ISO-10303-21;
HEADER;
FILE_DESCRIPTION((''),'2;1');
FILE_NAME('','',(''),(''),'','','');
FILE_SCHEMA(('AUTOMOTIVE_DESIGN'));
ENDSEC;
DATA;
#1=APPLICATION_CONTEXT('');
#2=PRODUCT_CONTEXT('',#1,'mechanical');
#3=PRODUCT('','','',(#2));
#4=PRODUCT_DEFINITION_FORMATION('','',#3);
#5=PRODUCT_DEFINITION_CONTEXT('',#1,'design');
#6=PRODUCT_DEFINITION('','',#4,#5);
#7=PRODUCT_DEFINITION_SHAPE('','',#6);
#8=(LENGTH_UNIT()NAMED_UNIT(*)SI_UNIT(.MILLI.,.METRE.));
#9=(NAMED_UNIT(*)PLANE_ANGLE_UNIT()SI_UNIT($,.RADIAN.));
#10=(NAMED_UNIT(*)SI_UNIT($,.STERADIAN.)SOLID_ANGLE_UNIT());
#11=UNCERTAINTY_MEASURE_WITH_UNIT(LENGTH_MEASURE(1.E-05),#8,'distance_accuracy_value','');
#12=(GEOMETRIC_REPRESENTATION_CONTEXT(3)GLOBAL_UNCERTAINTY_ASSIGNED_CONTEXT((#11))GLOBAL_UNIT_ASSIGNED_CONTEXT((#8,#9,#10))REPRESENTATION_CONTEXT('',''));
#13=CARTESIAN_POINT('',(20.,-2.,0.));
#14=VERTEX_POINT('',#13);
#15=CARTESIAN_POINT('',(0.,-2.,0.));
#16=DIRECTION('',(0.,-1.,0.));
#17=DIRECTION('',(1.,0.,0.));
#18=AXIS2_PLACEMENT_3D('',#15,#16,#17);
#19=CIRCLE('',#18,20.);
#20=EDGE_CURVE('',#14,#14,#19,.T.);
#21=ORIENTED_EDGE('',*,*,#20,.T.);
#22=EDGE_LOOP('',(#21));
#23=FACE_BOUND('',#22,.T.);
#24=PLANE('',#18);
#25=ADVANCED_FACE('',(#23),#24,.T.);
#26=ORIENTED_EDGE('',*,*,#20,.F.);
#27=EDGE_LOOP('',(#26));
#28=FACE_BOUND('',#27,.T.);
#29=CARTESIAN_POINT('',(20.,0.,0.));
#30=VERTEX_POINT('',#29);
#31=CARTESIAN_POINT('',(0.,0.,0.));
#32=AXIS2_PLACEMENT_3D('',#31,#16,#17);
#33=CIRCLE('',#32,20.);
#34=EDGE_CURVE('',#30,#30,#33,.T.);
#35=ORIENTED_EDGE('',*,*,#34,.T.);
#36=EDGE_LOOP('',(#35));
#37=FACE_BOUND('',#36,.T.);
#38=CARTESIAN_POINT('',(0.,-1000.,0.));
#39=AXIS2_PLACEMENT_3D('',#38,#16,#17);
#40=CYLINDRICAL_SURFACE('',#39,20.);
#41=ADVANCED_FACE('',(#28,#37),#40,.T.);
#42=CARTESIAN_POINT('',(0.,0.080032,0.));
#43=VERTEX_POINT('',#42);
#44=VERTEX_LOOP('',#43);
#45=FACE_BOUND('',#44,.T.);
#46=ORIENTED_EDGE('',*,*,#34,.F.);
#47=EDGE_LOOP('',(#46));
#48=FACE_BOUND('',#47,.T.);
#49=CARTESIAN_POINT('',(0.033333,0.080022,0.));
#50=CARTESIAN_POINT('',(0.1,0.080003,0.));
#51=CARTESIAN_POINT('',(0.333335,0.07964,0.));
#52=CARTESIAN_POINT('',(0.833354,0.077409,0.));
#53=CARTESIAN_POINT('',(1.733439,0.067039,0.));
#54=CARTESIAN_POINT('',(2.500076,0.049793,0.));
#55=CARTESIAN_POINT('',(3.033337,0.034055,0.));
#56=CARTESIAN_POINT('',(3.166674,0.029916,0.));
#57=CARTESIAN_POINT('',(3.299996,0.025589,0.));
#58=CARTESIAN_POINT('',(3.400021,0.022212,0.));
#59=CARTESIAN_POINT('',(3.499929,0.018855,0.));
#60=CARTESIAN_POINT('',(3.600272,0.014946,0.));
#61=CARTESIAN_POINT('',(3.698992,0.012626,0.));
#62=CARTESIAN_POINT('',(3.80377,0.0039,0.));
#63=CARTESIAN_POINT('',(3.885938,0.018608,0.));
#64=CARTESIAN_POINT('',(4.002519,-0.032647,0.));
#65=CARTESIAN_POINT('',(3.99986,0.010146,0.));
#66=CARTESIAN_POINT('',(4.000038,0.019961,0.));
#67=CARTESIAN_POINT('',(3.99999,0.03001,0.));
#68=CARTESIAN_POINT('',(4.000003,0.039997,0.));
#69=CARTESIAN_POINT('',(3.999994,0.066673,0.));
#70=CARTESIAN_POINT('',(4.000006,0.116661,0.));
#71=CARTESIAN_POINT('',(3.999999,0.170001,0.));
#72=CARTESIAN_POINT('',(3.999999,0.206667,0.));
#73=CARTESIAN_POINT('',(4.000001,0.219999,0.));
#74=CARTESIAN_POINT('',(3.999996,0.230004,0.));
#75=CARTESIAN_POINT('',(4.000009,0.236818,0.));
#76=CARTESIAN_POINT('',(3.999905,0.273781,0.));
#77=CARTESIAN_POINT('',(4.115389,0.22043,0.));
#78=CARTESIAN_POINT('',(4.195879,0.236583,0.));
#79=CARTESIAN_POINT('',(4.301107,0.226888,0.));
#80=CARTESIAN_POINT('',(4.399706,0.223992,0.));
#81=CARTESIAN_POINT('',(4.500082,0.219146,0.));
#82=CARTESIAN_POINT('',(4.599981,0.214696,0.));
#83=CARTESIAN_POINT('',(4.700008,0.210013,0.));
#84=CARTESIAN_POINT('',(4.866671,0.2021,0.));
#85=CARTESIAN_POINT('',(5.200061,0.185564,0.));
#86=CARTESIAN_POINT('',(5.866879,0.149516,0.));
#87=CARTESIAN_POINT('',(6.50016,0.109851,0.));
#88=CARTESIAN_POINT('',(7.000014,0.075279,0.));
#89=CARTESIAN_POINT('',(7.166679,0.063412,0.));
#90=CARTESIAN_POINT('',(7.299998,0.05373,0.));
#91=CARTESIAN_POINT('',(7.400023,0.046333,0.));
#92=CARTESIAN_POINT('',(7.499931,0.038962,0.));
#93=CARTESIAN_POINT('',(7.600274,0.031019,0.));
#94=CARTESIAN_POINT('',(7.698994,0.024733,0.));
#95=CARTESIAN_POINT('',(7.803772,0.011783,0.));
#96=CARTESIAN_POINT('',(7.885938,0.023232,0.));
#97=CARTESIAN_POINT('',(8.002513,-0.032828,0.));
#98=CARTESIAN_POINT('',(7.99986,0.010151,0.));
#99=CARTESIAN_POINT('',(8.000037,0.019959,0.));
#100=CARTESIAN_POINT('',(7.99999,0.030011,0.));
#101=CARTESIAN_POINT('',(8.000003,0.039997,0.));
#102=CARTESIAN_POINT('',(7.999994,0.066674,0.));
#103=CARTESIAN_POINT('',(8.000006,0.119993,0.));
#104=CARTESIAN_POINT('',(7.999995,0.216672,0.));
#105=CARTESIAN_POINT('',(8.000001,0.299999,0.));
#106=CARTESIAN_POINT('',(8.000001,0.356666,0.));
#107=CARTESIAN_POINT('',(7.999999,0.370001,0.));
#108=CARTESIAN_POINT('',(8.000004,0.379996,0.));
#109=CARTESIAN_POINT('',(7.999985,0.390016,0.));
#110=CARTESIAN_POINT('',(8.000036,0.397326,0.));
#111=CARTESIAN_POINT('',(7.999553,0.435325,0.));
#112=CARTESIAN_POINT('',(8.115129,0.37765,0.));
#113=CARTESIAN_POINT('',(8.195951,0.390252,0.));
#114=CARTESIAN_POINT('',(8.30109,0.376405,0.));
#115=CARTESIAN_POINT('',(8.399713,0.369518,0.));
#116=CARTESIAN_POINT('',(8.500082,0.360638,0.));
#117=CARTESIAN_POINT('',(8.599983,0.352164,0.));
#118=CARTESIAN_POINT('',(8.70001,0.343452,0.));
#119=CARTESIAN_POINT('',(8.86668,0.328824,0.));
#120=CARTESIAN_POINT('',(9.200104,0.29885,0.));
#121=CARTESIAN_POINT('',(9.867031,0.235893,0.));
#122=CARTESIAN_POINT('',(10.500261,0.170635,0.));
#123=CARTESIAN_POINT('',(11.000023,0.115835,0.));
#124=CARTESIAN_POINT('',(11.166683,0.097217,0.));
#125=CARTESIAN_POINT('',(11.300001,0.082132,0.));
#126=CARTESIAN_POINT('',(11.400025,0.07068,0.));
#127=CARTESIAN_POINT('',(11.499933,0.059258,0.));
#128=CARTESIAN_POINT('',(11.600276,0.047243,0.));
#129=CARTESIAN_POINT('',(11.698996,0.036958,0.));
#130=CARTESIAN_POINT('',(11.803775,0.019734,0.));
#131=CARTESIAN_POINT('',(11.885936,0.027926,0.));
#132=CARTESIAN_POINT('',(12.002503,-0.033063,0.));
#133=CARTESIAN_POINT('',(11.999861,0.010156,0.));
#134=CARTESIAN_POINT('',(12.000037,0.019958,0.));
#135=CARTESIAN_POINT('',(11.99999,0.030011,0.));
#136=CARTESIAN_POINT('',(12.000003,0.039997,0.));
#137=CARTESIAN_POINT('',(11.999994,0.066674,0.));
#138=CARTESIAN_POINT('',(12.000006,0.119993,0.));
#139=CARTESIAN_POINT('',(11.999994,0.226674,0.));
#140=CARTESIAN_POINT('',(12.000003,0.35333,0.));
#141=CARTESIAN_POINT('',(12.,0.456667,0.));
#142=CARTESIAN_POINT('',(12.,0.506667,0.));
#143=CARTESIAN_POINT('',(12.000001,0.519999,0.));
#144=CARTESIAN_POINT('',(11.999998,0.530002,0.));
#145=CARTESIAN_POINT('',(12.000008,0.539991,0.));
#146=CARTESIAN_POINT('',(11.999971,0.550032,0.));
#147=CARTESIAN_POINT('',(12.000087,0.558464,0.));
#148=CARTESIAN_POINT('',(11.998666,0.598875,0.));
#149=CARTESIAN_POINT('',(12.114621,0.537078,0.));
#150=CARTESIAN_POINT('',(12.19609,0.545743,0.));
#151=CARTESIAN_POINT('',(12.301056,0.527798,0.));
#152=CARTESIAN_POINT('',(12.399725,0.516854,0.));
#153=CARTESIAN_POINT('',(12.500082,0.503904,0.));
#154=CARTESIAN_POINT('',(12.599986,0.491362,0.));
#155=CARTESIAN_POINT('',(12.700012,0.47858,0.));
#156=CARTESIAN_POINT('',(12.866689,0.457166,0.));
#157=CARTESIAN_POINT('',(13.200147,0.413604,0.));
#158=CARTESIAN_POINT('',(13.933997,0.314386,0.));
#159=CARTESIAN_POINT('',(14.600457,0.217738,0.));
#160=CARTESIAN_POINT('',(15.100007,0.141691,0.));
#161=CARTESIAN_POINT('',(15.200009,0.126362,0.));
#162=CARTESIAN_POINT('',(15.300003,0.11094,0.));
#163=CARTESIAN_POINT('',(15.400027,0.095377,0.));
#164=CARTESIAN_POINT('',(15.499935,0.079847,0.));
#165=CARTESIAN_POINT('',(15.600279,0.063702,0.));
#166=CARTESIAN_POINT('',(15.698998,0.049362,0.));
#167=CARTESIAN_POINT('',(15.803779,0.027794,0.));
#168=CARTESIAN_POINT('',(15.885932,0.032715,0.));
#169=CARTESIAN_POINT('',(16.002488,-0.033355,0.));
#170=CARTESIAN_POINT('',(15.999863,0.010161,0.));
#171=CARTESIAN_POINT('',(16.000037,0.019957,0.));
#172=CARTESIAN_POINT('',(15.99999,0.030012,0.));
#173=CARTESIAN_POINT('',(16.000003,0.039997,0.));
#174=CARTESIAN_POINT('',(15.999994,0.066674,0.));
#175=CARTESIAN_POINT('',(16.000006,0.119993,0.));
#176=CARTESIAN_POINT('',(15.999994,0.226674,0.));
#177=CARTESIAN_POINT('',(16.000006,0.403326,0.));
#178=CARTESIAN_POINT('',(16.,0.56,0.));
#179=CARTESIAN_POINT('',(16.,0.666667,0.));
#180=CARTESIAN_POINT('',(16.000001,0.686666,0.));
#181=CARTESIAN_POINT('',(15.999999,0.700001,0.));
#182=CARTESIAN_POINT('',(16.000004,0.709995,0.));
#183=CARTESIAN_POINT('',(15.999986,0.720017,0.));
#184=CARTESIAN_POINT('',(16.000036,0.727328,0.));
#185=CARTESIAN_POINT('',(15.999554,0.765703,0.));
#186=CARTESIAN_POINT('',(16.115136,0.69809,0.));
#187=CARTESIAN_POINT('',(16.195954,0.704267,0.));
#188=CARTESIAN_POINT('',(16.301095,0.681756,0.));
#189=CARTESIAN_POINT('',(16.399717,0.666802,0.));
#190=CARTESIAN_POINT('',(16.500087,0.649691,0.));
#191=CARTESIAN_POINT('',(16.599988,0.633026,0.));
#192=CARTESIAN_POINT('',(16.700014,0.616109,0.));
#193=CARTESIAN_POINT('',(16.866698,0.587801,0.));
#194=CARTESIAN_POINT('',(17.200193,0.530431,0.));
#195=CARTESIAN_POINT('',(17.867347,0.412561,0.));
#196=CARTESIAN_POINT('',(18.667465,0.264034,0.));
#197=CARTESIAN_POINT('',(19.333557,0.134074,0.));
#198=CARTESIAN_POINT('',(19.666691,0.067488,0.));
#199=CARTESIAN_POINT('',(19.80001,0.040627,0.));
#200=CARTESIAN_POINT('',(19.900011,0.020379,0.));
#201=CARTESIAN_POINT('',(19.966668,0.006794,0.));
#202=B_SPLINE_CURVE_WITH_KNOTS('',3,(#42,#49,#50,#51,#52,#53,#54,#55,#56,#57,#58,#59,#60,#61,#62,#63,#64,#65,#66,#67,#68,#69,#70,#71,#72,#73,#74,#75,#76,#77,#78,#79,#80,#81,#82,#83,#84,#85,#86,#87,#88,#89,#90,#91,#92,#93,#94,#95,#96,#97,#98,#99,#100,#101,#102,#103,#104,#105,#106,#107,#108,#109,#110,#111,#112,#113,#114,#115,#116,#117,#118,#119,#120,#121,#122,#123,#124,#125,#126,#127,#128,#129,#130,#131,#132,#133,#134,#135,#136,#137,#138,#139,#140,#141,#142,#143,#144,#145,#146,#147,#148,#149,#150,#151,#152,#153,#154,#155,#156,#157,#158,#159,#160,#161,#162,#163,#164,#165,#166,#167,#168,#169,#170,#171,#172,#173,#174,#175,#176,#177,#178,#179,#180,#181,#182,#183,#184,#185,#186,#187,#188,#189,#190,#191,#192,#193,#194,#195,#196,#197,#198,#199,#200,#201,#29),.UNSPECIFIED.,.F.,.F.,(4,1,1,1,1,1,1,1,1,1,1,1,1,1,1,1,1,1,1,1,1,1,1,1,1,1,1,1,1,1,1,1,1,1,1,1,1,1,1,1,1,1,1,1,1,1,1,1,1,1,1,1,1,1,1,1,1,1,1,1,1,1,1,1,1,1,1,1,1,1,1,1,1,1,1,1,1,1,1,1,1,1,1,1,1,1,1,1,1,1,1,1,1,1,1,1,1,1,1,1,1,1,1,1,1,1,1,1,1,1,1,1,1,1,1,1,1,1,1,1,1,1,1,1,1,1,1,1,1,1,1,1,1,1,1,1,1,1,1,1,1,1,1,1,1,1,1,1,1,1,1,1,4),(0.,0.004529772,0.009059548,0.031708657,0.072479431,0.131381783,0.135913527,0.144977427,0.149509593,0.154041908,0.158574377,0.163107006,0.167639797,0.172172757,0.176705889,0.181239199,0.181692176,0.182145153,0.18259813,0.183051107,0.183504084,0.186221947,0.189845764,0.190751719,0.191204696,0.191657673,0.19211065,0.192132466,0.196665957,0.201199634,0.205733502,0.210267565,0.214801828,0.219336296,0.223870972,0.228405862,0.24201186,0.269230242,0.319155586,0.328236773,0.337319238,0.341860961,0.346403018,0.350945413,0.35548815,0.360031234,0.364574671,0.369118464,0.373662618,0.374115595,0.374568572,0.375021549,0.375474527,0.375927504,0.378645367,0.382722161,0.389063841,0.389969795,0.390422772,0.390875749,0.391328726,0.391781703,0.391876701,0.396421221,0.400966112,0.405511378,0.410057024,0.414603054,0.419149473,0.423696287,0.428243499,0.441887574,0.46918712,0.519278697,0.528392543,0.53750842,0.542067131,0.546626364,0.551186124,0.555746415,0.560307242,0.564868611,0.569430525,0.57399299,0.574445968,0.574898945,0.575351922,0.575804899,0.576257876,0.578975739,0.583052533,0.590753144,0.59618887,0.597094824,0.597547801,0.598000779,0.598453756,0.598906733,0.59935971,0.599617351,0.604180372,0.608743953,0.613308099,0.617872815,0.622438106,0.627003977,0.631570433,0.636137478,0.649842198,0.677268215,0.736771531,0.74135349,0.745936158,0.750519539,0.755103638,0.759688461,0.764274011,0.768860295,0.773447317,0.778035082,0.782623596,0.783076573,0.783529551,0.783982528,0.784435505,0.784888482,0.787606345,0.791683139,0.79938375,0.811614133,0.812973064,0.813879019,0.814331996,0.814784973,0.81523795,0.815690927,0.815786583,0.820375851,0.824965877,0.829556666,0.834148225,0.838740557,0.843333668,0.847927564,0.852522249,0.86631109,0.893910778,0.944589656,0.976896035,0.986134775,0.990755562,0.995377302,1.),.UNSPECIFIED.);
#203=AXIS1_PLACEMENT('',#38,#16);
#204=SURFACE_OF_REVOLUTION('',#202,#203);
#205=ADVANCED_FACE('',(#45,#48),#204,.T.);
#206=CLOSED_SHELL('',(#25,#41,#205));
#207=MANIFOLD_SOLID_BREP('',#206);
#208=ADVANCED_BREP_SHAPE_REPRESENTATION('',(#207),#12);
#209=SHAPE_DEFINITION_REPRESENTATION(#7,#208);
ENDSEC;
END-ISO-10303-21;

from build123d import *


with BuildPart() as part:
    # 草图1 → 旋转1 (revolve)
    with BuildSketch(Plane.XY):
        with BuildLine():
            add(Edge.make_bspline(
                [(0, 0.080032026), (0.033333339, 0.080022403), (0.10000005, 0.080003158), (0.333335056, 0.079639943), (0.833354308, 0.077408579), (1.733439399, 0.067038803), (2.500075758, 0.049793313), (3.033337018, 0.03405457), (3.166673958, 0.029915651), (3.299996449, 0.025589249), (3.400021122, 0.022211736), (3.499929272, 0.018855334), (3.600272315, 0.014946084), (3.698992229, 0.012626094), (3.803770079, 0.003900418), (3.885938119, 0.018608239), (4.002519327, -0.032647475), (3.999859573, 0.010146118), (4.000037627, 0.019960848), (3.999989918, 0.030010491), (4.000002702, 0.039997189), (3.999993567, 0.06667336), (4.000005627, 0.116660811), (3.999999357, 0.170000669), (3.999999251, 0.206667446), (4.000001084, 0.219998871), (3.999995954, 0.230004213), (4.000009026, 0.23681781), (3.999904592, 0.273781117), (4.115388683, 0.220430032), (4.19587901, 0.236582781), (4.301107004, 0.226887528), (4.399706141, 0.223991518), (4.50008159, 0.219146376), (4.599981046, 0.214696358), (4.700008052, 0.210013263), (4.866670894, 0.20209979), (5.200061206, 0.185564012), (5.866879049, 0.149515809), (6.500160378, 0.109850799), (7.000014311, 0.075278692), (7.166678663, 0.063412188), (7.299998467, 0.053729887), (7.400023137, 0.046333273), (7.499931298, 0.038962071), (7.600274328, 0.031018836), (7.698994216, 0.024733409), (7.803772454, 0.011782839), (7.885937965, 0.023232331), (8.002513124, -0.03282795), (7.999860213, 0.010151411), (8.000037456, 0.01995943), (7.999989964, 0.030010871), (8.000002689, 0.039997087), (7.999993596, 0.066673603), (8.000006402, 0.119993066), (7.999994798, 0.216672301), (8.00000067, 0.299999274), (8.000000726, 0.35666588), (7.999998948, 0.37000114), (8.000003924, 0.379995747), (7.999985354, 0.390015873), (8.000036402, 0.397326277), (7.999552757, 0.435324706), (8.115128746, 0.37765042), (8.195950985, 0.390251709), (8.301090351, 0.376405213), (8.399713154, 0.369518146), (8.500082284, 0.360637926), (8.599983428, 0.352163659), (8.700009985, 0.343452393), (8.866679794, 0.32882442), (9.200103786, 0.298850192), (9.867030736, 0.235892514), (10.500260505, 0.170635086), (11.000022511, 0.115834707), (11.16668345, 0.0972169), (11.300000521, 0.082131832), (11.400025192, 0.070680229), (11.49993335, 0.059258093), (11.600276416, 0.047243283), (11.698996096, 0.0369579), (11.803775414, 0.019734035), (11.885935797, 0.027926385), (12.00250273, -0.033063218), (11.999861283, 0.010156448), (12.000037169, 0.01995808), (11.999990041, 0.030011232), (12.000002669, 0.03999699), (11.999993646, 0.066673833), (12.000006353, 0.119992835), (11.999993647, 0.226673832), (12.000002588, 0.353330414), (11.999999713, 0.45666699), (11.999999621, 0.506667095), (12.000000549, 0.51999938), (11.999997951, 0.530002312), (12.000007648, 0.53999137), (11.999971458, 0.550032209), (12.000087105, 0.558464282), (11.998665789, 0.598875461), (12.114620672, 0.537078443), (12.196089514, 0.545743413), (12.301055911, 0.527797748), (12.399724986, 0.516853985), (12.50008174, 0.503903945), (12.599986197, 0.491361766), (12.700011869, 0.478580409), (12.866688987, 0.457165646), (13.200147224, 0.413603904), (13.933996512, 0.314386126), (14.600456707, 0.217737504), (15.100007353, 0.141691348), (15.200009173, 0.126362347), (15.300002631, 0.110939605), (15.400027306, 0.095376559), (15.499935449, 0.079846794), (15.600278601, 0.063702103), (15.698997889, 0.049361969), (15.803778981, 0.027794348), (15.885931616, 0.032715227), (16.002488096, -0.033355263), (15.999862784, 0.0101612), (16.000036767, 0.019956807), (15.999990148, 0.030011574), (16.00000264, 0.039996899), (15.999993714, 0.066674051), (16.000006284, 0.119992617), (15.999993716, 0.226674049), (16.000006051, 0.403326224), (15.999999714, 0.560000336), (16.000000095, 0.666666555), (16.000000716, 0.686665825), (15.999998963, 0.700001219), (16.00000387, 0.709995451), (15.999985557, 0.720016977), (16.000035931, 0.727328338), (15.999553848, 0.765703409), (16.115135921, 0.698089918), (16.195953865, 0.704266579), (16.301095032, 0.68175619), (16.399717184, 0.666802378), (16.500086539, 0.649691197), (16.599987614, 0.63302608), (16.700014197, 0.616109195), (16.866698042, 0.587801463), (17.200192513, 0.530431491), (17.867346578, 0.412560598), (18.667464727, 0.264034038), (19.33355745, 0.13407362), (19.666690704, 0.067488464), (19.800010055, 0.040626683), (19.90001129, 0.020379428), (19.966668128, 0.006793612), (20, 0)],
                knots=[0, 0, 0, 0, 0.004529772, 0.009059548, 0.031708657, 0.072479431, 0.131381783, 0.135913527, 0.144977427, 0.149509593, 0.154041908, 0.158574377, 0.163107006, 0.167639797, 0.172172757, 0.176705889, 0.181239199, 0.181692176, 0.182145153, 0.18259813, 0.183051107, 0.183504084, 0.186221947, 0.189845764, 0.190751719, 0.191204696, 0.191657673, 0.19211065, 0.192132466, 0.196665957, 0.201199634, 0.205733502, 0.210267565, 0.214801828, 0.219336296, 0.223870972, 0.228405862, 0.24201186, 0.269230242, 0.319155586, 0.328236773, 0.337319238, 0.341860961, 0.346403018, 0.350945413, 0.35548815, 0.360031234, 0.364574671, 0.369118464, 0.373662618, 0.374115595, 0.374568572, 0.375021549, 0.375474527, 0.375927504, 0.378645367, 0.382722161, 0.389063841, 0.389969795, 0.390422772, 0.390875749, 0.391328726, 0.391781703, 0.391876701, 0.396421221, 0.400966112, 0.405511378, 0.410057024, 0.414603054, 0.419149473, 0.423696287, 0.428243499, 0.441887574, 0.46918712, 0.519278697, 0.528392543, 0.53750842, 0.542067131, 0.546626364, 0.551186124, 0.555746415, 0.560307242, 0.564868611, 0.569430525, 0.57399299, 0.574445968, 0.574898945, 0.575351922, 0.575804899, 0.576257876, 0.578975739, 0.583052533, 0.590753144, 0.59618887, 0.597094824, 0.597547801, 0.598000779, 0.598453756, 0.598906733, 0.59935971, 0.599617351, 0.604180372, 0.608743953, 0.613308099, 0.617872815, 0.622438106, 0.627003977, 0.631570433, 0.636137478, 0.649842198, 0.677268215, 0.736771531, 0.74135349, 0.745936158, 0.750519539, 0.755103638, 0.759688461, 0.764274011, 0.768860295, 0.773447317, 0.778035082, 0.782623596, 0.783076573, 0.783529551, 0.783982528, 0.784435505, 0.784888482, 0.787606345, 0.791683139, 0.79938375, 0.811614133, 0.812973064, 0.813879019, 0.814331996, 0.814784973, 0.81523795, 0.815690927, 0.815786583, 0.820375851, 0.824965877, 0.829556666, 0.834148225, 0.838740557, 0.843333668, 0.847927564, 0.852522249, 0.86631109, 0.893910778, 0.944589656, 0.976896035, 0.986134775, 0.990755562, 0.995377302, 1, 1, 1, 1], degree=3))
            Line((20, 0), (20, -2))
            Line((20, -2), (0, -2))
            Line((0, -2), (0, 0.080032026))
        make_face()
    revolve(axis=Axis((0, -1000, 0), (0, 1, 0)))


solid = part.part
